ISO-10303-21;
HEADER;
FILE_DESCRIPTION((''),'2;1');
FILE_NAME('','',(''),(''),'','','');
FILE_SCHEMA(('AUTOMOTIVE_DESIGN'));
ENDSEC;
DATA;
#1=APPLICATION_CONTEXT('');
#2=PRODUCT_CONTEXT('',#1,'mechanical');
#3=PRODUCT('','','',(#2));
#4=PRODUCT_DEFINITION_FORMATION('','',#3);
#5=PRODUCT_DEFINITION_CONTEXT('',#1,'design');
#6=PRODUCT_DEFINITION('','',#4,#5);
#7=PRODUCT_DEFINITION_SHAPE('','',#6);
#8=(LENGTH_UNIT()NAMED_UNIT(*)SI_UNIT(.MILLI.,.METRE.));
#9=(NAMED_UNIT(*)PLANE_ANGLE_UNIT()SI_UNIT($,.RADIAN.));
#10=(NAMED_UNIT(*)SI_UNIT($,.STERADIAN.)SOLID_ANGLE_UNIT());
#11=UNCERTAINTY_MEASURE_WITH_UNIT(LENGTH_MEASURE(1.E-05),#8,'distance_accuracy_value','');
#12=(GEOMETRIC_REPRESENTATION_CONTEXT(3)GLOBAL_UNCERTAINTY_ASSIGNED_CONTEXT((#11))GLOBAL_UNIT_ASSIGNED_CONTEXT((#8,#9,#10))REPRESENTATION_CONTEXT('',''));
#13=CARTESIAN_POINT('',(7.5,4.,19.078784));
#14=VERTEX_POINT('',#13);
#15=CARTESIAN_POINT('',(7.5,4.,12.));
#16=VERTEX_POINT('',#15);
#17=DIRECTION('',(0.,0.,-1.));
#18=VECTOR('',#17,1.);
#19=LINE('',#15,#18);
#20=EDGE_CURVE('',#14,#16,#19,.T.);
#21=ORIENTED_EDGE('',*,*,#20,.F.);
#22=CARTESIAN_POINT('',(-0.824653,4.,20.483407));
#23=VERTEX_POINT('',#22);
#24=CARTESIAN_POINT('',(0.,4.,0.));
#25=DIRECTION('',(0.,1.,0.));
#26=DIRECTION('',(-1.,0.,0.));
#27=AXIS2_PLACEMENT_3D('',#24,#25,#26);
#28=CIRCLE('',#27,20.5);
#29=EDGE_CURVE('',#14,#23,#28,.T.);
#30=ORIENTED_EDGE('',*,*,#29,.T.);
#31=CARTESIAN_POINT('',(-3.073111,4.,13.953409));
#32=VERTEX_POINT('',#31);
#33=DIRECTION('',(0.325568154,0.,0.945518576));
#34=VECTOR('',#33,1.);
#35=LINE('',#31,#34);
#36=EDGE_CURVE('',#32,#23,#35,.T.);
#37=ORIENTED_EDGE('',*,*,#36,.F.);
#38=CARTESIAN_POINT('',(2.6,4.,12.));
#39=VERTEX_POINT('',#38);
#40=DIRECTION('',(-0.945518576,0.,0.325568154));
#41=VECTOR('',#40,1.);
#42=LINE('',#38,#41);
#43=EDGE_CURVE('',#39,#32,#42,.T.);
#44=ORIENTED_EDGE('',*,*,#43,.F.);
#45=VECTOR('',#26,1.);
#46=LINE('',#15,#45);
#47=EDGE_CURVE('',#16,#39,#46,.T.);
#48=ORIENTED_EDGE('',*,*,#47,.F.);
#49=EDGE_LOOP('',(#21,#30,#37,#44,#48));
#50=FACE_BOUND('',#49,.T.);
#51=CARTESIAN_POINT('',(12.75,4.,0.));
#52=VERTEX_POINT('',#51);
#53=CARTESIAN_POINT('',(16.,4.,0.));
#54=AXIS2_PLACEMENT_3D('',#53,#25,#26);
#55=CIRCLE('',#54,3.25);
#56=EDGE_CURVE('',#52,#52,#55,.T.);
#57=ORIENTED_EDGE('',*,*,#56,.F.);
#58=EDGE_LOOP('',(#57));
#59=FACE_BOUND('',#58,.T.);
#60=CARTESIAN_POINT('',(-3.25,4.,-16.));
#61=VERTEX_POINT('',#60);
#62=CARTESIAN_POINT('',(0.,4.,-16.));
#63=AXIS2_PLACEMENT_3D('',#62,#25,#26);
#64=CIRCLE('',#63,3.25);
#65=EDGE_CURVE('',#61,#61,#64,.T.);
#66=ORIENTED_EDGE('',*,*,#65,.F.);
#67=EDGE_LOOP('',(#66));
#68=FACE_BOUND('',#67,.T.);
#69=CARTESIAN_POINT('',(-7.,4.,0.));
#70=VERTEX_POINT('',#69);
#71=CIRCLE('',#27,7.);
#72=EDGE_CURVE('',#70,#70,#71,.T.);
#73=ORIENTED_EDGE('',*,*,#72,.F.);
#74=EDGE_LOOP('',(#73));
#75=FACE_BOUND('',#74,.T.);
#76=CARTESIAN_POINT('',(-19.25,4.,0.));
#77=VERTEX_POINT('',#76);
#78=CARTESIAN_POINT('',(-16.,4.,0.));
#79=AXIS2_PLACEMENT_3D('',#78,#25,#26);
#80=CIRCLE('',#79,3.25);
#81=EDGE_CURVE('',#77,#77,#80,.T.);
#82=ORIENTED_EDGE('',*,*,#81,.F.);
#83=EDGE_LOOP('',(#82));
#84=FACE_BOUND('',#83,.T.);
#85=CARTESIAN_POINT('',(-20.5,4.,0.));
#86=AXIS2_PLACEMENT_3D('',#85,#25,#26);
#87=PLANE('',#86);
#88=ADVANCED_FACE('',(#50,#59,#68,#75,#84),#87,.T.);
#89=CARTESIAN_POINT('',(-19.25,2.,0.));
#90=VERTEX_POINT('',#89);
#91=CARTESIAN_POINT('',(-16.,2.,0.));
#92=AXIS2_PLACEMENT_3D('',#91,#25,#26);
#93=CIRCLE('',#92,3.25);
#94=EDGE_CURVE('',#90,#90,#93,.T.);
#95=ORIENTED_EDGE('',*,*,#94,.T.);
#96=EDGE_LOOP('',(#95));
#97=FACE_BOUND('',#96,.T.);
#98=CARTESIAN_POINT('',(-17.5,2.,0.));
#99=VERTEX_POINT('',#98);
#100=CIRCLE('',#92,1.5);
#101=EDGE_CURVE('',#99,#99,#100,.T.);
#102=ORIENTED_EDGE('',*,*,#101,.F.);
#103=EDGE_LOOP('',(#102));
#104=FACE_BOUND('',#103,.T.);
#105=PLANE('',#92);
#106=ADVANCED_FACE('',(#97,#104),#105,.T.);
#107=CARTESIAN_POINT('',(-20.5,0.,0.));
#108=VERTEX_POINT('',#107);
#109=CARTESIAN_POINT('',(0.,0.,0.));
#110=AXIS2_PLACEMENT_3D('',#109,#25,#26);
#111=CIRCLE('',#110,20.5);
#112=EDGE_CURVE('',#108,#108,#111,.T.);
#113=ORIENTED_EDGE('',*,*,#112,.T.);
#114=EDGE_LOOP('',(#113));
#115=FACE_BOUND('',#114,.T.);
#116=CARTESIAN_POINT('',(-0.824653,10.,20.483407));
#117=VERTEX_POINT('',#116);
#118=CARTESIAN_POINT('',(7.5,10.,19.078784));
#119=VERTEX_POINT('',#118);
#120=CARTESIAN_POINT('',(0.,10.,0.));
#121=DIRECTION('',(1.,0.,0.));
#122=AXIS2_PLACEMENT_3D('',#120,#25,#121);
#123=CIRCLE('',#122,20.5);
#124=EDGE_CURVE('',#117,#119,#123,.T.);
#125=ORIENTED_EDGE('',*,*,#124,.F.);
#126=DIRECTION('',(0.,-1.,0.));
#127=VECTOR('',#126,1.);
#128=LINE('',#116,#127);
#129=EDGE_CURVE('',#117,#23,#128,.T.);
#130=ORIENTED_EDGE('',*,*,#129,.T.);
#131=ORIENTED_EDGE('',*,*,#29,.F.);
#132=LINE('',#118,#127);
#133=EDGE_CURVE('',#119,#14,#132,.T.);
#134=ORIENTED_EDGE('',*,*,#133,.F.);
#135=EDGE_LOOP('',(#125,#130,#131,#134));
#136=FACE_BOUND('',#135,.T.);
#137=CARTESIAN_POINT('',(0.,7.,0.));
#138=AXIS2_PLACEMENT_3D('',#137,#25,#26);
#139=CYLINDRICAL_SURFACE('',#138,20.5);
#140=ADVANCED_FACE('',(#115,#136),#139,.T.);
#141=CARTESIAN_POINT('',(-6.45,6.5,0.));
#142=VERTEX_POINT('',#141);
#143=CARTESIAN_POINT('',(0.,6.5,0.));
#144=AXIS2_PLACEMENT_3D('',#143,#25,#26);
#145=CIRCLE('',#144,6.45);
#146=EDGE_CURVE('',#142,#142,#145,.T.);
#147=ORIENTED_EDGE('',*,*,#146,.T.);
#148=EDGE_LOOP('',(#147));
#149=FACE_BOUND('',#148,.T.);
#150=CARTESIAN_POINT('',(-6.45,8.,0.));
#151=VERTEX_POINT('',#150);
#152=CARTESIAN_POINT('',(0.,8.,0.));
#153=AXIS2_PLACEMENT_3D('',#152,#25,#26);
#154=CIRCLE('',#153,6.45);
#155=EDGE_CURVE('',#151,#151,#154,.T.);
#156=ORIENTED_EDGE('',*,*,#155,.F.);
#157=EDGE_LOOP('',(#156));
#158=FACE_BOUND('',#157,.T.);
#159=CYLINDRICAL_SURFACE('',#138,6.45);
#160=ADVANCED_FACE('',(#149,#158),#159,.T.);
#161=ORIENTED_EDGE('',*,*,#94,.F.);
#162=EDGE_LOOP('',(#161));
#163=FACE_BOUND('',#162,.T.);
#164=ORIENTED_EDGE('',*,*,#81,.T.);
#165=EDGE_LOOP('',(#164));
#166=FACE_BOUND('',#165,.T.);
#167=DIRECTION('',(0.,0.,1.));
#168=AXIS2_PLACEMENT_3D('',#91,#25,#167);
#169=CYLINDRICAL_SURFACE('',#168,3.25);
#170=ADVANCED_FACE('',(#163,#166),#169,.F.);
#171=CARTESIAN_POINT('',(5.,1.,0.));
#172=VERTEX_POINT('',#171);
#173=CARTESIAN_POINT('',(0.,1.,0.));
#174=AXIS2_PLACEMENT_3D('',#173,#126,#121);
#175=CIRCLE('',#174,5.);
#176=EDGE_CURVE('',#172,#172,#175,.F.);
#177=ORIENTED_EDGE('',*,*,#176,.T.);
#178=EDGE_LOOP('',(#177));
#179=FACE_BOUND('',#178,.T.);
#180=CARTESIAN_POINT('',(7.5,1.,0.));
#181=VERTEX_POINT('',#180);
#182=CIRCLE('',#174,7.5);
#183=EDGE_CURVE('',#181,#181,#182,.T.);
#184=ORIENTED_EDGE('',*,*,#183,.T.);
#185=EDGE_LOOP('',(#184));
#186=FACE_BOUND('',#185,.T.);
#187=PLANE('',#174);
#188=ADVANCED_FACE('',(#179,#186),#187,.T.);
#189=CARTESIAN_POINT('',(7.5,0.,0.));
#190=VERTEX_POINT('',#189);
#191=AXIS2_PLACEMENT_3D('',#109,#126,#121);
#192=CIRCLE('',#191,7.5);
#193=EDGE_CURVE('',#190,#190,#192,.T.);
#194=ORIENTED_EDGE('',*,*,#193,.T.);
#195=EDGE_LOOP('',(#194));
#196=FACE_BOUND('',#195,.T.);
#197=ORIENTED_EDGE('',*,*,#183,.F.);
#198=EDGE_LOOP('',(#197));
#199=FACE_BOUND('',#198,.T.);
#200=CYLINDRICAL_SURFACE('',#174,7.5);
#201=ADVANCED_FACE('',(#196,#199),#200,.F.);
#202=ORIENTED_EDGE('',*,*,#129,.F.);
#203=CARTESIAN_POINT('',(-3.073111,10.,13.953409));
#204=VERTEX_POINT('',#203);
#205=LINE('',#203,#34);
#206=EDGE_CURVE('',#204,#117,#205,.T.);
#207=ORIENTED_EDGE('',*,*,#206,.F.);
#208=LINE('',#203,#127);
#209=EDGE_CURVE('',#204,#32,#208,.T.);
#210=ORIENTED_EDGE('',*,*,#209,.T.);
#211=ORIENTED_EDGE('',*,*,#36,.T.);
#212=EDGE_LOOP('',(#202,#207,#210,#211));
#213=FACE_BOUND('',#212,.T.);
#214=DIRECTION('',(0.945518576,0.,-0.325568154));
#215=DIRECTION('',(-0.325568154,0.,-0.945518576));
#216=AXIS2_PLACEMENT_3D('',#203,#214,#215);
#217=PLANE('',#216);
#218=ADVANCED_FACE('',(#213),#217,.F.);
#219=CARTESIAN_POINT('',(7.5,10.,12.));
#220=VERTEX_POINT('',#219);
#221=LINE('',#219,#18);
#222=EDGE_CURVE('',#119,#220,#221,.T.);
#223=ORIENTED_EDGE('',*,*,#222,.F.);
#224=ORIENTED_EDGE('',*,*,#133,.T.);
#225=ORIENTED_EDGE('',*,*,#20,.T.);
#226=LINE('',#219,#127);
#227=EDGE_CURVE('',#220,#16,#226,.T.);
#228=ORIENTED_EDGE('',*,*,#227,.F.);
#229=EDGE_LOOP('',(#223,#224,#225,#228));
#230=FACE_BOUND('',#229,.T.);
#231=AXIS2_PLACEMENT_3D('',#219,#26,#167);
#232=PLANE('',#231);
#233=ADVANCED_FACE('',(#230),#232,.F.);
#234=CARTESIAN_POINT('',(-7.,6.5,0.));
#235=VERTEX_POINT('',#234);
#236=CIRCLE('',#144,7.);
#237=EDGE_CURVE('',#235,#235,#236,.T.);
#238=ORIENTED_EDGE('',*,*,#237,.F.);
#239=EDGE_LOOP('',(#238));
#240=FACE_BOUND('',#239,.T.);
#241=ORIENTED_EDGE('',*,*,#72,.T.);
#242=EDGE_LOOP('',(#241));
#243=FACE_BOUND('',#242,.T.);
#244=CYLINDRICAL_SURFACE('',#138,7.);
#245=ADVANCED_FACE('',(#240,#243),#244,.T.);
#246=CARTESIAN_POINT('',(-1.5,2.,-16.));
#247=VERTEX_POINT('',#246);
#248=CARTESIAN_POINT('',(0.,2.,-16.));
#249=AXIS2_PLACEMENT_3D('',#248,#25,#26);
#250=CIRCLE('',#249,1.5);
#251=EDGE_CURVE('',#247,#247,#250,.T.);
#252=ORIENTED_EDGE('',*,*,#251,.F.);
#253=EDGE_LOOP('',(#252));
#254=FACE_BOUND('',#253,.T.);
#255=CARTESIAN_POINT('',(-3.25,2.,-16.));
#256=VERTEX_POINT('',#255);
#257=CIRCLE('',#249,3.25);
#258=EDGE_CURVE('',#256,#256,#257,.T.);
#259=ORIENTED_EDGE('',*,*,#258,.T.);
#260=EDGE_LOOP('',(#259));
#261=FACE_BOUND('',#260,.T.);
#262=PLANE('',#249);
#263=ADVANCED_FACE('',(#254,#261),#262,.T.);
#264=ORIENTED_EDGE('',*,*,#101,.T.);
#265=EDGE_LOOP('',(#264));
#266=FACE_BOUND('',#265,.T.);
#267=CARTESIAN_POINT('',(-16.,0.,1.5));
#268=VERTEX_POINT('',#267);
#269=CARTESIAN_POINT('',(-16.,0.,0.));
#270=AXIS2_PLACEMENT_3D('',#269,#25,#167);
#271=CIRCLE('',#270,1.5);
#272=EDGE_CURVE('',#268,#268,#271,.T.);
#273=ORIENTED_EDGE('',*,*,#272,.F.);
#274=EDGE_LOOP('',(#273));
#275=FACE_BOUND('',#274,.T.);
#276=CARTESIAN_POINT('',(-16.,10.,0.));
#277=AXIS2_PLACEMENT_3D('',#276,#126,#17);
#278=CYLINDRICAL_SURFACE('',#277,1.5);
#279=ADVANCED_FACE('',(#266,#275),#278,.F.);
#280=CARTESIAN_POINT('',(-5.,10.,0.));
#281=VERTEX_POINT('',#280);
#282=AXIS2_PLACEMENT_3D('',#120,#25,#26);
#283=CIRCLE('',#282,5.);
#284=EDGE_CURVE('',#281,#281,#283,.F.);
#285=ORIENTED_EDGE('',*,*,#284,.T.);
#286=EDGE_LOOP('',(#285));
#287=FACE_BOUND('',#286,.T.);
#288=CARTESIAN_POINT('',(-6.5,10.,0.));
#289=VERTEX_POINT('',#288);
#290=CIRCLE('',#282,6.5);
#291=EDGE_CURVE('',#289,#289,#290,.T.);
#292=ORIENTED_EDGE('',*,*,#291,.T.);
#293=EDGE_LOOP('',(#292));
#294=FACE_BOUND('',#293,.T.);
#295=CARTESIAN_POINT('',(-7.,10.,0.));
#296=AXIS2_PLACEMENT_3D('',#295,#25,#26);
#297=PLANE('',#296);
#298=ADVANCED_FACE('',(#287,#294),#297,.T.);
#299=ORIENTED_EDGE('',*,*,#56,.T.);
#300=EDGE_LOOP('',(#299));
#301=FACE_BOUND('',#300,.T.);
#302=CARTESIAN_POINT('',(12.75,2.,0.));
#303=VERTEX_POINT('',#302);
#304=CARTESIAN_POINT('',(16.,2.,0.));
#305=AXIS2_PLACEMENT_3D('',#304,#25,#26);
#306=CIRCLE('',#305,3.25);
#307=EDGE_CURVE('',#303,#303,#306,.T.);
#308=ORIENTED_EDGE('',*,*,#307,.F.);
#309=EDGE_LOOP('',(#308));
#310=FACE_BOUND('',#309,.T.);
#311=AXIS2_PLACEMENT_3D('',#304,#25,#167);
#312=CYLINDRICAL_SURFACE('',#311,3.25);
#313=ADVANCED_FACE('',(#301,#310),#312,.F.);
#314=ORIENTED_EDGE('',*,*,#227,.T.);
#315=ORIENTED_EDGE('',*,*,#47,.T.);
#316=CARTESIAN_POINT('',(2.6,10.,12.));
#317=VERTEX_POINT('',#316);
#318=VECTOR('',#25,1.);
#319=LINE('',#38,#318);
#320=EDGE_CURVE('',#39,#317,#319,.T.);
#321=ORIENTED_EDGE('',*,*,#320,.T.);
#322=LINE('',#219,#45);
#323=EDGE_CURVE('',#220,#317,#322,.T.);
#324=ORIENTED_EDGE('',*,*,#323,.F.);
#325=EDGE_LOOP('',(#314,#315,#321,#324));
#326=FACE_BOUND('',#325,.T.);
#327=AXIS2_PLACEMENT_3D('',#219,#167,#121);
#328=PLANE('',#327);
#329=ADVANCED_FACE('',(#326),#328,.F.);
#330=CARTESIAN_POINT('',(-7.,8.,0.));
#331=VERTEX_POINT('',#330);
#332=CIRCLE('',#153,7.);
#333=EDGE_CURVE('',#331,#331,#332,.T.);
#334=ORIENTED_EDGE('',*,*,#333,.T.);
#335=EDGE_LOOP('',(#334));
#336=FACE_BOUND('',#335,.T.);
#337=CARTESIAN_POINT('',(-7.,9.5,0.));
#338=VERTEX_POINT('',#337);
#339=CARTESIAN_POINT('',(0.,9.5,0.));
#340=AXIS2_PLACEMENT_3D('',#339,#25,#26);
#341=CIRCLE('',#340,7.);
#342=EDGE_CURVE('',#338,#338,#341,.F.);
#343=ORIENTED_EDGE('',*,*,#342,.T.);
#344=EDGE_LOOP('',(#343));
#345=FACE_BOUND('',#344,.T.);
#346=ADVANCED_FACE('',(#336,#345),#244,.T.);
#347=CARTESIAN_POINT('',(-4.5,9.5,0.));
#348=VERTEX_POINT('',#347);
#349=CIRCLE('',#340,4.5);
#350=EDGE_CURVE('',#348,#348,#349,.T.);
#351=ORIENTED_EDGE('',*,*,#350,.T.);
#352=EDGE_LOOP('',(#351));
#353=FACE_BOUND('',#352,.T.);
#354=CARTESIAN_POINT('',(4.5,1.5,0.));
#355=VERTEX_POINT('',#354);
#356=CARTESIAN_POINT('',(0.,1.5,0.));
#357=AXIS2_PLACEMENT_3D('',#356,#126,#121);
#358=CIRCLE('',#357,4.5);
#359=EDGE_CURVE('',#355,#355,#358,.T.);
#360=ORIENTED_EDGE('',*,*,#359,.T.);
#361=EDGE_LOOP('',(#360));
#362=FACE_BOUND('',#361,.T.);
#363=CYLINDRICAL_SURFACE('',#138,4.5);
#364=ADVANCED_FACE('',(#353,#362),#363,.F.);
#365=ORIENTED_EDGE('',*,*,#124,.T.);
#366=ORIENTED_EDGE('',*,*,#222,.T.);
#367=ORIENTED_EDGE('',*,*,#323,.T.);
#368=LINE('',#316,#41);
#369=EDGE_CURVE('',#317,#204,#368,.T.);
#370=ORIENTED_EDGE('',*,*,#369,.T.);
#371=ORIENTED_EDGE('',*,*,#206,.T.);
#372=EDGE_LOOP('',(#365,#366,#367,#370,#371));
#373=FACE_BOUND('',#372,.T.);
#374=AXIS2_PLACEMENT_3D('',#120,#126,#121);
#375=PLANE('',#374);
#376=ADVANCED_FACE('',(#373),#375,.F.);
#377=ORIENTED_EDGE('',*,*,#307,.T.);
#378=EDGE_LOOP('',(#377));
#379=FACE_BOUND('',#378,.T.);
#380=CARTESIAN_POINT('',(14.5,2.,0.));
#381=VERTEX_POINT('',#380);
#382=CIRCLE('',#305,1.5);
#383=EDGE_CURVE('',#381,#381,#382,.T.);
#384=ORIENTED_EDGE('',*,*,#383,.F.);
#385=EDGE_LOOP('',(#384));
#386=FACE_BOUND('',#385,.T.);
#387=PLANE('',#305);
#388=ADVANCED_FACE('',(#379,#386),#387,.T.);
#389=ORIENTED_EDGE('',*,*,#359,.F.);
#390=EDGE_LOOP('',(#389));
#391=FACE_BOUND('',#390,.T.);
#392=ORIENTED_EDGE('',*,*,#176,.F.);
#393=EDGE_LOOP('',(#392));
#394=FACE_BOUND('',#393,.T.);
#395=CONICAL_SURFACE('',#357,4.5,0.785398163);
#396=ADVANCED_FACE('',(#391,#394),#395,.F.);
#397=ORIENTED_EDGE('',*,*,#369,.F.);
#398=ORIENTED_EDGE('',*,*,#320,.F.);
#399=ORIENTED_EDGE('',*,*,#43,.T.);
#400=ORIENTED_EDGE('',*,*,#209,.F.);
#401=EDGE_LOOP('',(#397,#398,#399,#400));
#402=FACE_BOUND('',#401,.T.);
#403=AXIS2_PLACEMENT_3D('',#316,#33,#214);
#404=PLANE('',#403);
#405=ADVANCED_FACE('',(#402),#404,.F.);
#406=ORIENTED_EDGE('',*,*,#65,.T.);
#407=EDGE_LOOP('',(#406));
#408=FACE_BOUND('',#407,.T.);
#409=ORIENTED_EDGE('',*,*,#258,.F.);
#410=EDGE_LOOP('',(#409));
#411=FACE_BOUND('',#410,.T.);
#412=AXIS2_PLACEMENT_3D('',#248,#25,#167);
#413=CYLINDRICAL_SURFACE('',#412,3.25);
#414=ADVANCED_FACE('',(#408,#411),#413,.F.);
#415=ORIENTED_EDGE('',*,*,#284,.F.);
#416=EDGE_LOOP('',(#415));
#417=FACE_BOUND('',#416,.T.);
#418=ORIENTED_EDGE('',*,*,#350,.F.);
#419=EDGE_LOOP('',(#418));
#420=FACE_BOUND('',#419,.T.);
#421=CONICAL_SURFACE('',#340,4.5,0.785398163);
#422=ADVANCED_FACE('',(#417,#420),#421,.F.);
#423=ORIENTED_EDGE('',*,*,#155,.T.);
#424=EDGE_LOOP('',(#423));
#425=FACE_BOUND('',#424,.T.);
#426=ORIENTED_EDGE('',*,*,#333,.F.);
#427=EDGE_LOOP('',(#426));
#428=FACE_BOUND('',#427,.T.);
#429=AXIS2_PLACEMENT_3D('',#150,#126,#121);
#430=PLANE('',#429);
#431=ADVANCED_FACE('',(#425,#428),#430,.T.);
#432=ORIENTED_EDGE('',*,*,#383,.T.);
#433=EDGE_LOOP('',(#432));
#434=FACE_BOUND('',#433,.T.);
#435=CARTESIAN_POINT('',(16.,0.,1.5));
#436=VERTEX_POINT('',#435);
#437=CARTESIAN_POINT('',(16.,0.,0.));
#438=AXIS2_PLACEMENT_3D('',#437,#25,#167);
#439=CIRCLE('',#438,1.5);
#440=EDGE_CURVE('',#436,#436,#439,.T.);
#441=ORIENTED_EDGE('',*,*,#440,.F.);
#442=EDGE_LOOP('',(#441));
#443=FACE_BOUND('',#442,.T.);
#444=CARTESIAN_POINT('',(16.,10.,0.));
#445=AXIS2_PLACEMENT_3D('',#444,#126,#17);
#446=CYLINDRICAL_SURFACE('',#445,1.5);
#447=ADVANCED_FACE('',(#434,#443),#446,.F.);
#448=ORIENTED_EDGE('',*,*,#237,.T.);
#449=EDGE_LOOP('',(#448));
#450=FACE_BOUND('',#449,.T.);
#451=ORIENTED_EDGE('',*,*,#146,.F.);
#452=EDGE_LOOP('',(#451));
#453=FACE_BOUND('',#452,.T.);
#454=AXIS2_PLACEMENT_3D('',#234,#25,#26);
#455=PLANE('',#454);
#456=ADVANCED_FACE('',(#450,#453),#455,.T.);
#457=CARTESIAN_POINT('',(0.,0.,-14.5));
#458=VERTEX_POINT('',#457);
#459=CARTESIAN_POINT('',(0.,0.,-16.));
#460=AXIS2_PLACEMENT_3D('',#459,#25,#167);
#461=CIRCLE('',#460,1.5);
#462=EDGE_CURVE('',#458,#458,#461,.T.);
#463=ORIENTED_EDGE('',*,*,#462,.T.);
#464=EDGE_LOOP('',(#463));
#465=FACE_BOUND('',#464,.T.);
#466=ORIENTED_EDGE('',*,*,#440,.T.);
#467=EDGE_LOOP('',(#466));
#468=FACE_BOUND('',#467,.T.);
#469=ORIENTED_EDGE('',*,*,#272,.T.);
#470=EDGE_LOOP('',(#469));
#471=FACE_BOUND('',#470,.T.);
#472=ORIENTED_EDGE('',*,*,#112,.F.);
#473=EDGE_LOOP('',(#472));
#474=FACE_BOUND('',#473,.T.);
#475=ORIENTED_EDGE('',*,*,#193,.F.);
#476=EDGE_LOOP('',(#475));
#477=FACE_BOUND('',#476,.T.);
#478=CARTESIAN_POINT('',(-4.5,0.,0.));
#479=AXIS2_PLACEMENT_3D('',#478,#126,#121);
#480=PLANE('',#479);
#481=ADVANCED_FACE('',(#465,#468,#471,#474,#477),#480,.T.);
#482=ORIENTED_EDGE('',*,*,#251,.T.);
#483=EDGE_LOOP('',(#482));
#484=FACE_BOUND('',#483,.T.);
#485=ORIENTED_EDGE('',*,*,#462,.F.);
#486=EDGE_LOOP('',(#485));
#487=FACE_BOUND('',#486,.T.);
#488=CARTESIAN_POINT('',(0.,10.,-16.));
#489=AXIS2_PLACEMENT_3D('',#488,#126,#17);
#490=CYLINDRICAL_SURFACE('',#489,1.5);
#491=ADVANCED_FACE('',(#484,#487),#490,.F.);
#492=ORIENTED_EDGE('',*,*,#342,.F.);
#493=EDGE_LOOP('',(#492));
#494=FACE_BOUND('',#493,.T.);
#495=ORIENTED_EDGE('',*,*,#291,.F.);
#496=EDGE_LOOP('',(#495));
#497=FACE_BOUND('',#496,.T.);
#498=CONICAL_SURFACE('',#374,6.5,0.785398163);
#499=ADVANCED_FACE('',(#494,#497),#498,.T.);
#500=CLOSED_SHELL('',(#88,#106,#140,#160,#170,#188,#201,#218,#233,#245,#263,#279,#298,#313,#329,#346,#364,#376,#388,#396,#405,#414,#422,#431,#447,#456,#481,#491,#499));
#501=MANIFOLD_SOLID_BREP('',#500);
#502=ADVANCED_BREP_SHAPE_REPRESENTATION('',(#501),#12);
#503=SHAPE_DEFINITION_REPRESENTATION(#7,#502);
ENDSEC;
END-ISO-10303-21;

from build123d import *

# Parameters (mm, degrees)
SKETCH_2_R          = 1.5
CUT_EXTRUDE_1_DEPTH = 31.66757245
CUT_EXTRUDE_START   = 4
SKETCH_3_R          = 3.25
CUT_EXTRUDE_2_DEPTH = 2
EXTRUDE_START       = 6
EXTRUDE_1_DEPTH     = 6
SKETCH_5_R          = 7.5
CUT_EXTRUDE_3_DEPTH = 1
CHAMFER_1_SIZE      = 0.5
CHAMFER_2_SIZE      = 0.5
CUT_EXTRUDE_6_DEPTH = 6
EXTRUDE_2_DEPTH     = 6


with BuildPart() as part:
    # 草图1 → 旋转1 (revolve)
    with BuildSketch(Plane.XY):
        Polygon((-4.5, 0), (-20.5, 0), (-20.5, 4), (-7, 4), (-7, 6.5), (-6.45, 6.5), (-6.45, 8), (-7, 8), (-7, 10), (-4.5, 10), align=None)
    revolve(axis=Axis((0, 7, 0), (0, -1, 0)))

    # 草图2 → 切除-拉伸1 (cut, through all)
    with BuildSketch(Plane(origin=(0, 0, 0), x_dir=(1, 0, 0), z_dir=(0, 1, 0))):
        with Locations(Location((-16, 0, 0), (0, 0, 180))):
            Circle(SKETCH_2_R)
        with Locations(Location((0, 16, 0), (0, 0, 180))):
            Circle(SKETCH_2_R)
        with Locations(Location((16, 0, 0), (0, 0, 180))):
            Circle(SKETCH_2_R)
    extrude(amount=CUT_EXTRUDE_1_DEPTH, mode=Mode.SUBTRACT)

    # 草图3 → 切除-拉伸2 (cut)
    with BuildSketch(Plane(origin=(0, 0, 0), x_dir=(1, 0, 0), z_dir=(0, 1, 0)).offset(CUT_EXTRUDE_START)):
        with Locations(Location((-16, 0, 0), (0, 0, 180))):
            Circle(SKETCH_3_R)
        with Locations(Location((0, 16, 0), (0, 0, 180))):
            Circle(SKETCH_3_R)
        with Locations(Location((16, 0, 0), (0, 0, 180))):
            Circle(SKETCH_3_R)
    extrude(amount=-CUT_EXTRUDE_2_DEPTH, mode=Mode.SUBTRACT)

    # 草图4 → 凸台-拉伸1 (add)
    with BuildSketch(Plane(origin=(0, 4, 0), x_dir=(1, 0, 0), z_dir=(0, 1, 0)).offset(EXTRUDE_START)):
        with BuildLine():
            Line((7.5, -12), (-7.5, -12))
            Line((-7.5, -12), (-7.5, -19.078784028))
            ThreePointArc((-7.5, -19.078784028), (0, -20.5), (7.5, -19.078784028))
            Line((7.5, -19.078784028), (7.5, -12))
        make_face()
    extrude(amount=-EXTRUDE_1_DEPTH)

    # 草图5 → 切除-拉伸3 (cut)
    with BuildSketch(Plane.XZ):
        Circle(SKETCH_5_R)
    extrude(amount=-CUT_EXTRUDE_3_DEPTH, mode=Mode.SUBTRACT)

    # 倒角1
    chamfer_1_edges = [part.edges().sort_by_distance(p)[0] for p in [
        (4.5, 1, 0),
        (4.5, 10, 0),
    ]]
    chamfer(chamfer_1_edges, length=CHAMFER_1_SIZE)

    # 倒角2
    chamfer_2_edges = [part.edges().sort_by_distance(p)[0] for p in [
        (7, 10, 0),
    ]]
    chamfer(chamfer_2_edges, length=CHAMFER_2_SIZE)

    # 草图6 → 切除-拉伸6 (cut)
    with BuildSketch(Plane(origin=(0, 10, 0), x_dir=(1, 0, 0), z_dir=(0, 1, 0))):
        Polygon((2.6, -12), (-1.967727288, -14.033683215), (1.296257598, -21.364713299), (-7.5, -20.062419665), (-7.5, -12), align=None)
    extrude(amount=-CUT_EXTRUDE_6_DEPTH, mode=Mode.SUBTRACT)

    # 草图7 → 凸台-拉伸2 (add)
    with BuildSketch(Plane(origin=(0, 4, 0), x_dir=(1, 0, 0), z_dir=(0, 1, 0)).offset(EXTRUDE_START)):
        with BuildLine():
            Line((2.6, -12), (-3.073111454, -13.953408927))
            Line((-3.073111454, -13.953408927), (-0.824652926, -20.483406639))
            ThreePointArc((-0.824652926, -20.483406639), (0.038915526, -20.499963063), (0.902414897, -20.480128109))
            Line((0.902414897, -20.480128109), (-1.967727288, -14.033683215))
            Line((-1.967727288, -14.033683215), (2.6, -12))
        make_face()
    extrude(amount=-EXTRUDE_2_DEPTH)


solid = part.part
